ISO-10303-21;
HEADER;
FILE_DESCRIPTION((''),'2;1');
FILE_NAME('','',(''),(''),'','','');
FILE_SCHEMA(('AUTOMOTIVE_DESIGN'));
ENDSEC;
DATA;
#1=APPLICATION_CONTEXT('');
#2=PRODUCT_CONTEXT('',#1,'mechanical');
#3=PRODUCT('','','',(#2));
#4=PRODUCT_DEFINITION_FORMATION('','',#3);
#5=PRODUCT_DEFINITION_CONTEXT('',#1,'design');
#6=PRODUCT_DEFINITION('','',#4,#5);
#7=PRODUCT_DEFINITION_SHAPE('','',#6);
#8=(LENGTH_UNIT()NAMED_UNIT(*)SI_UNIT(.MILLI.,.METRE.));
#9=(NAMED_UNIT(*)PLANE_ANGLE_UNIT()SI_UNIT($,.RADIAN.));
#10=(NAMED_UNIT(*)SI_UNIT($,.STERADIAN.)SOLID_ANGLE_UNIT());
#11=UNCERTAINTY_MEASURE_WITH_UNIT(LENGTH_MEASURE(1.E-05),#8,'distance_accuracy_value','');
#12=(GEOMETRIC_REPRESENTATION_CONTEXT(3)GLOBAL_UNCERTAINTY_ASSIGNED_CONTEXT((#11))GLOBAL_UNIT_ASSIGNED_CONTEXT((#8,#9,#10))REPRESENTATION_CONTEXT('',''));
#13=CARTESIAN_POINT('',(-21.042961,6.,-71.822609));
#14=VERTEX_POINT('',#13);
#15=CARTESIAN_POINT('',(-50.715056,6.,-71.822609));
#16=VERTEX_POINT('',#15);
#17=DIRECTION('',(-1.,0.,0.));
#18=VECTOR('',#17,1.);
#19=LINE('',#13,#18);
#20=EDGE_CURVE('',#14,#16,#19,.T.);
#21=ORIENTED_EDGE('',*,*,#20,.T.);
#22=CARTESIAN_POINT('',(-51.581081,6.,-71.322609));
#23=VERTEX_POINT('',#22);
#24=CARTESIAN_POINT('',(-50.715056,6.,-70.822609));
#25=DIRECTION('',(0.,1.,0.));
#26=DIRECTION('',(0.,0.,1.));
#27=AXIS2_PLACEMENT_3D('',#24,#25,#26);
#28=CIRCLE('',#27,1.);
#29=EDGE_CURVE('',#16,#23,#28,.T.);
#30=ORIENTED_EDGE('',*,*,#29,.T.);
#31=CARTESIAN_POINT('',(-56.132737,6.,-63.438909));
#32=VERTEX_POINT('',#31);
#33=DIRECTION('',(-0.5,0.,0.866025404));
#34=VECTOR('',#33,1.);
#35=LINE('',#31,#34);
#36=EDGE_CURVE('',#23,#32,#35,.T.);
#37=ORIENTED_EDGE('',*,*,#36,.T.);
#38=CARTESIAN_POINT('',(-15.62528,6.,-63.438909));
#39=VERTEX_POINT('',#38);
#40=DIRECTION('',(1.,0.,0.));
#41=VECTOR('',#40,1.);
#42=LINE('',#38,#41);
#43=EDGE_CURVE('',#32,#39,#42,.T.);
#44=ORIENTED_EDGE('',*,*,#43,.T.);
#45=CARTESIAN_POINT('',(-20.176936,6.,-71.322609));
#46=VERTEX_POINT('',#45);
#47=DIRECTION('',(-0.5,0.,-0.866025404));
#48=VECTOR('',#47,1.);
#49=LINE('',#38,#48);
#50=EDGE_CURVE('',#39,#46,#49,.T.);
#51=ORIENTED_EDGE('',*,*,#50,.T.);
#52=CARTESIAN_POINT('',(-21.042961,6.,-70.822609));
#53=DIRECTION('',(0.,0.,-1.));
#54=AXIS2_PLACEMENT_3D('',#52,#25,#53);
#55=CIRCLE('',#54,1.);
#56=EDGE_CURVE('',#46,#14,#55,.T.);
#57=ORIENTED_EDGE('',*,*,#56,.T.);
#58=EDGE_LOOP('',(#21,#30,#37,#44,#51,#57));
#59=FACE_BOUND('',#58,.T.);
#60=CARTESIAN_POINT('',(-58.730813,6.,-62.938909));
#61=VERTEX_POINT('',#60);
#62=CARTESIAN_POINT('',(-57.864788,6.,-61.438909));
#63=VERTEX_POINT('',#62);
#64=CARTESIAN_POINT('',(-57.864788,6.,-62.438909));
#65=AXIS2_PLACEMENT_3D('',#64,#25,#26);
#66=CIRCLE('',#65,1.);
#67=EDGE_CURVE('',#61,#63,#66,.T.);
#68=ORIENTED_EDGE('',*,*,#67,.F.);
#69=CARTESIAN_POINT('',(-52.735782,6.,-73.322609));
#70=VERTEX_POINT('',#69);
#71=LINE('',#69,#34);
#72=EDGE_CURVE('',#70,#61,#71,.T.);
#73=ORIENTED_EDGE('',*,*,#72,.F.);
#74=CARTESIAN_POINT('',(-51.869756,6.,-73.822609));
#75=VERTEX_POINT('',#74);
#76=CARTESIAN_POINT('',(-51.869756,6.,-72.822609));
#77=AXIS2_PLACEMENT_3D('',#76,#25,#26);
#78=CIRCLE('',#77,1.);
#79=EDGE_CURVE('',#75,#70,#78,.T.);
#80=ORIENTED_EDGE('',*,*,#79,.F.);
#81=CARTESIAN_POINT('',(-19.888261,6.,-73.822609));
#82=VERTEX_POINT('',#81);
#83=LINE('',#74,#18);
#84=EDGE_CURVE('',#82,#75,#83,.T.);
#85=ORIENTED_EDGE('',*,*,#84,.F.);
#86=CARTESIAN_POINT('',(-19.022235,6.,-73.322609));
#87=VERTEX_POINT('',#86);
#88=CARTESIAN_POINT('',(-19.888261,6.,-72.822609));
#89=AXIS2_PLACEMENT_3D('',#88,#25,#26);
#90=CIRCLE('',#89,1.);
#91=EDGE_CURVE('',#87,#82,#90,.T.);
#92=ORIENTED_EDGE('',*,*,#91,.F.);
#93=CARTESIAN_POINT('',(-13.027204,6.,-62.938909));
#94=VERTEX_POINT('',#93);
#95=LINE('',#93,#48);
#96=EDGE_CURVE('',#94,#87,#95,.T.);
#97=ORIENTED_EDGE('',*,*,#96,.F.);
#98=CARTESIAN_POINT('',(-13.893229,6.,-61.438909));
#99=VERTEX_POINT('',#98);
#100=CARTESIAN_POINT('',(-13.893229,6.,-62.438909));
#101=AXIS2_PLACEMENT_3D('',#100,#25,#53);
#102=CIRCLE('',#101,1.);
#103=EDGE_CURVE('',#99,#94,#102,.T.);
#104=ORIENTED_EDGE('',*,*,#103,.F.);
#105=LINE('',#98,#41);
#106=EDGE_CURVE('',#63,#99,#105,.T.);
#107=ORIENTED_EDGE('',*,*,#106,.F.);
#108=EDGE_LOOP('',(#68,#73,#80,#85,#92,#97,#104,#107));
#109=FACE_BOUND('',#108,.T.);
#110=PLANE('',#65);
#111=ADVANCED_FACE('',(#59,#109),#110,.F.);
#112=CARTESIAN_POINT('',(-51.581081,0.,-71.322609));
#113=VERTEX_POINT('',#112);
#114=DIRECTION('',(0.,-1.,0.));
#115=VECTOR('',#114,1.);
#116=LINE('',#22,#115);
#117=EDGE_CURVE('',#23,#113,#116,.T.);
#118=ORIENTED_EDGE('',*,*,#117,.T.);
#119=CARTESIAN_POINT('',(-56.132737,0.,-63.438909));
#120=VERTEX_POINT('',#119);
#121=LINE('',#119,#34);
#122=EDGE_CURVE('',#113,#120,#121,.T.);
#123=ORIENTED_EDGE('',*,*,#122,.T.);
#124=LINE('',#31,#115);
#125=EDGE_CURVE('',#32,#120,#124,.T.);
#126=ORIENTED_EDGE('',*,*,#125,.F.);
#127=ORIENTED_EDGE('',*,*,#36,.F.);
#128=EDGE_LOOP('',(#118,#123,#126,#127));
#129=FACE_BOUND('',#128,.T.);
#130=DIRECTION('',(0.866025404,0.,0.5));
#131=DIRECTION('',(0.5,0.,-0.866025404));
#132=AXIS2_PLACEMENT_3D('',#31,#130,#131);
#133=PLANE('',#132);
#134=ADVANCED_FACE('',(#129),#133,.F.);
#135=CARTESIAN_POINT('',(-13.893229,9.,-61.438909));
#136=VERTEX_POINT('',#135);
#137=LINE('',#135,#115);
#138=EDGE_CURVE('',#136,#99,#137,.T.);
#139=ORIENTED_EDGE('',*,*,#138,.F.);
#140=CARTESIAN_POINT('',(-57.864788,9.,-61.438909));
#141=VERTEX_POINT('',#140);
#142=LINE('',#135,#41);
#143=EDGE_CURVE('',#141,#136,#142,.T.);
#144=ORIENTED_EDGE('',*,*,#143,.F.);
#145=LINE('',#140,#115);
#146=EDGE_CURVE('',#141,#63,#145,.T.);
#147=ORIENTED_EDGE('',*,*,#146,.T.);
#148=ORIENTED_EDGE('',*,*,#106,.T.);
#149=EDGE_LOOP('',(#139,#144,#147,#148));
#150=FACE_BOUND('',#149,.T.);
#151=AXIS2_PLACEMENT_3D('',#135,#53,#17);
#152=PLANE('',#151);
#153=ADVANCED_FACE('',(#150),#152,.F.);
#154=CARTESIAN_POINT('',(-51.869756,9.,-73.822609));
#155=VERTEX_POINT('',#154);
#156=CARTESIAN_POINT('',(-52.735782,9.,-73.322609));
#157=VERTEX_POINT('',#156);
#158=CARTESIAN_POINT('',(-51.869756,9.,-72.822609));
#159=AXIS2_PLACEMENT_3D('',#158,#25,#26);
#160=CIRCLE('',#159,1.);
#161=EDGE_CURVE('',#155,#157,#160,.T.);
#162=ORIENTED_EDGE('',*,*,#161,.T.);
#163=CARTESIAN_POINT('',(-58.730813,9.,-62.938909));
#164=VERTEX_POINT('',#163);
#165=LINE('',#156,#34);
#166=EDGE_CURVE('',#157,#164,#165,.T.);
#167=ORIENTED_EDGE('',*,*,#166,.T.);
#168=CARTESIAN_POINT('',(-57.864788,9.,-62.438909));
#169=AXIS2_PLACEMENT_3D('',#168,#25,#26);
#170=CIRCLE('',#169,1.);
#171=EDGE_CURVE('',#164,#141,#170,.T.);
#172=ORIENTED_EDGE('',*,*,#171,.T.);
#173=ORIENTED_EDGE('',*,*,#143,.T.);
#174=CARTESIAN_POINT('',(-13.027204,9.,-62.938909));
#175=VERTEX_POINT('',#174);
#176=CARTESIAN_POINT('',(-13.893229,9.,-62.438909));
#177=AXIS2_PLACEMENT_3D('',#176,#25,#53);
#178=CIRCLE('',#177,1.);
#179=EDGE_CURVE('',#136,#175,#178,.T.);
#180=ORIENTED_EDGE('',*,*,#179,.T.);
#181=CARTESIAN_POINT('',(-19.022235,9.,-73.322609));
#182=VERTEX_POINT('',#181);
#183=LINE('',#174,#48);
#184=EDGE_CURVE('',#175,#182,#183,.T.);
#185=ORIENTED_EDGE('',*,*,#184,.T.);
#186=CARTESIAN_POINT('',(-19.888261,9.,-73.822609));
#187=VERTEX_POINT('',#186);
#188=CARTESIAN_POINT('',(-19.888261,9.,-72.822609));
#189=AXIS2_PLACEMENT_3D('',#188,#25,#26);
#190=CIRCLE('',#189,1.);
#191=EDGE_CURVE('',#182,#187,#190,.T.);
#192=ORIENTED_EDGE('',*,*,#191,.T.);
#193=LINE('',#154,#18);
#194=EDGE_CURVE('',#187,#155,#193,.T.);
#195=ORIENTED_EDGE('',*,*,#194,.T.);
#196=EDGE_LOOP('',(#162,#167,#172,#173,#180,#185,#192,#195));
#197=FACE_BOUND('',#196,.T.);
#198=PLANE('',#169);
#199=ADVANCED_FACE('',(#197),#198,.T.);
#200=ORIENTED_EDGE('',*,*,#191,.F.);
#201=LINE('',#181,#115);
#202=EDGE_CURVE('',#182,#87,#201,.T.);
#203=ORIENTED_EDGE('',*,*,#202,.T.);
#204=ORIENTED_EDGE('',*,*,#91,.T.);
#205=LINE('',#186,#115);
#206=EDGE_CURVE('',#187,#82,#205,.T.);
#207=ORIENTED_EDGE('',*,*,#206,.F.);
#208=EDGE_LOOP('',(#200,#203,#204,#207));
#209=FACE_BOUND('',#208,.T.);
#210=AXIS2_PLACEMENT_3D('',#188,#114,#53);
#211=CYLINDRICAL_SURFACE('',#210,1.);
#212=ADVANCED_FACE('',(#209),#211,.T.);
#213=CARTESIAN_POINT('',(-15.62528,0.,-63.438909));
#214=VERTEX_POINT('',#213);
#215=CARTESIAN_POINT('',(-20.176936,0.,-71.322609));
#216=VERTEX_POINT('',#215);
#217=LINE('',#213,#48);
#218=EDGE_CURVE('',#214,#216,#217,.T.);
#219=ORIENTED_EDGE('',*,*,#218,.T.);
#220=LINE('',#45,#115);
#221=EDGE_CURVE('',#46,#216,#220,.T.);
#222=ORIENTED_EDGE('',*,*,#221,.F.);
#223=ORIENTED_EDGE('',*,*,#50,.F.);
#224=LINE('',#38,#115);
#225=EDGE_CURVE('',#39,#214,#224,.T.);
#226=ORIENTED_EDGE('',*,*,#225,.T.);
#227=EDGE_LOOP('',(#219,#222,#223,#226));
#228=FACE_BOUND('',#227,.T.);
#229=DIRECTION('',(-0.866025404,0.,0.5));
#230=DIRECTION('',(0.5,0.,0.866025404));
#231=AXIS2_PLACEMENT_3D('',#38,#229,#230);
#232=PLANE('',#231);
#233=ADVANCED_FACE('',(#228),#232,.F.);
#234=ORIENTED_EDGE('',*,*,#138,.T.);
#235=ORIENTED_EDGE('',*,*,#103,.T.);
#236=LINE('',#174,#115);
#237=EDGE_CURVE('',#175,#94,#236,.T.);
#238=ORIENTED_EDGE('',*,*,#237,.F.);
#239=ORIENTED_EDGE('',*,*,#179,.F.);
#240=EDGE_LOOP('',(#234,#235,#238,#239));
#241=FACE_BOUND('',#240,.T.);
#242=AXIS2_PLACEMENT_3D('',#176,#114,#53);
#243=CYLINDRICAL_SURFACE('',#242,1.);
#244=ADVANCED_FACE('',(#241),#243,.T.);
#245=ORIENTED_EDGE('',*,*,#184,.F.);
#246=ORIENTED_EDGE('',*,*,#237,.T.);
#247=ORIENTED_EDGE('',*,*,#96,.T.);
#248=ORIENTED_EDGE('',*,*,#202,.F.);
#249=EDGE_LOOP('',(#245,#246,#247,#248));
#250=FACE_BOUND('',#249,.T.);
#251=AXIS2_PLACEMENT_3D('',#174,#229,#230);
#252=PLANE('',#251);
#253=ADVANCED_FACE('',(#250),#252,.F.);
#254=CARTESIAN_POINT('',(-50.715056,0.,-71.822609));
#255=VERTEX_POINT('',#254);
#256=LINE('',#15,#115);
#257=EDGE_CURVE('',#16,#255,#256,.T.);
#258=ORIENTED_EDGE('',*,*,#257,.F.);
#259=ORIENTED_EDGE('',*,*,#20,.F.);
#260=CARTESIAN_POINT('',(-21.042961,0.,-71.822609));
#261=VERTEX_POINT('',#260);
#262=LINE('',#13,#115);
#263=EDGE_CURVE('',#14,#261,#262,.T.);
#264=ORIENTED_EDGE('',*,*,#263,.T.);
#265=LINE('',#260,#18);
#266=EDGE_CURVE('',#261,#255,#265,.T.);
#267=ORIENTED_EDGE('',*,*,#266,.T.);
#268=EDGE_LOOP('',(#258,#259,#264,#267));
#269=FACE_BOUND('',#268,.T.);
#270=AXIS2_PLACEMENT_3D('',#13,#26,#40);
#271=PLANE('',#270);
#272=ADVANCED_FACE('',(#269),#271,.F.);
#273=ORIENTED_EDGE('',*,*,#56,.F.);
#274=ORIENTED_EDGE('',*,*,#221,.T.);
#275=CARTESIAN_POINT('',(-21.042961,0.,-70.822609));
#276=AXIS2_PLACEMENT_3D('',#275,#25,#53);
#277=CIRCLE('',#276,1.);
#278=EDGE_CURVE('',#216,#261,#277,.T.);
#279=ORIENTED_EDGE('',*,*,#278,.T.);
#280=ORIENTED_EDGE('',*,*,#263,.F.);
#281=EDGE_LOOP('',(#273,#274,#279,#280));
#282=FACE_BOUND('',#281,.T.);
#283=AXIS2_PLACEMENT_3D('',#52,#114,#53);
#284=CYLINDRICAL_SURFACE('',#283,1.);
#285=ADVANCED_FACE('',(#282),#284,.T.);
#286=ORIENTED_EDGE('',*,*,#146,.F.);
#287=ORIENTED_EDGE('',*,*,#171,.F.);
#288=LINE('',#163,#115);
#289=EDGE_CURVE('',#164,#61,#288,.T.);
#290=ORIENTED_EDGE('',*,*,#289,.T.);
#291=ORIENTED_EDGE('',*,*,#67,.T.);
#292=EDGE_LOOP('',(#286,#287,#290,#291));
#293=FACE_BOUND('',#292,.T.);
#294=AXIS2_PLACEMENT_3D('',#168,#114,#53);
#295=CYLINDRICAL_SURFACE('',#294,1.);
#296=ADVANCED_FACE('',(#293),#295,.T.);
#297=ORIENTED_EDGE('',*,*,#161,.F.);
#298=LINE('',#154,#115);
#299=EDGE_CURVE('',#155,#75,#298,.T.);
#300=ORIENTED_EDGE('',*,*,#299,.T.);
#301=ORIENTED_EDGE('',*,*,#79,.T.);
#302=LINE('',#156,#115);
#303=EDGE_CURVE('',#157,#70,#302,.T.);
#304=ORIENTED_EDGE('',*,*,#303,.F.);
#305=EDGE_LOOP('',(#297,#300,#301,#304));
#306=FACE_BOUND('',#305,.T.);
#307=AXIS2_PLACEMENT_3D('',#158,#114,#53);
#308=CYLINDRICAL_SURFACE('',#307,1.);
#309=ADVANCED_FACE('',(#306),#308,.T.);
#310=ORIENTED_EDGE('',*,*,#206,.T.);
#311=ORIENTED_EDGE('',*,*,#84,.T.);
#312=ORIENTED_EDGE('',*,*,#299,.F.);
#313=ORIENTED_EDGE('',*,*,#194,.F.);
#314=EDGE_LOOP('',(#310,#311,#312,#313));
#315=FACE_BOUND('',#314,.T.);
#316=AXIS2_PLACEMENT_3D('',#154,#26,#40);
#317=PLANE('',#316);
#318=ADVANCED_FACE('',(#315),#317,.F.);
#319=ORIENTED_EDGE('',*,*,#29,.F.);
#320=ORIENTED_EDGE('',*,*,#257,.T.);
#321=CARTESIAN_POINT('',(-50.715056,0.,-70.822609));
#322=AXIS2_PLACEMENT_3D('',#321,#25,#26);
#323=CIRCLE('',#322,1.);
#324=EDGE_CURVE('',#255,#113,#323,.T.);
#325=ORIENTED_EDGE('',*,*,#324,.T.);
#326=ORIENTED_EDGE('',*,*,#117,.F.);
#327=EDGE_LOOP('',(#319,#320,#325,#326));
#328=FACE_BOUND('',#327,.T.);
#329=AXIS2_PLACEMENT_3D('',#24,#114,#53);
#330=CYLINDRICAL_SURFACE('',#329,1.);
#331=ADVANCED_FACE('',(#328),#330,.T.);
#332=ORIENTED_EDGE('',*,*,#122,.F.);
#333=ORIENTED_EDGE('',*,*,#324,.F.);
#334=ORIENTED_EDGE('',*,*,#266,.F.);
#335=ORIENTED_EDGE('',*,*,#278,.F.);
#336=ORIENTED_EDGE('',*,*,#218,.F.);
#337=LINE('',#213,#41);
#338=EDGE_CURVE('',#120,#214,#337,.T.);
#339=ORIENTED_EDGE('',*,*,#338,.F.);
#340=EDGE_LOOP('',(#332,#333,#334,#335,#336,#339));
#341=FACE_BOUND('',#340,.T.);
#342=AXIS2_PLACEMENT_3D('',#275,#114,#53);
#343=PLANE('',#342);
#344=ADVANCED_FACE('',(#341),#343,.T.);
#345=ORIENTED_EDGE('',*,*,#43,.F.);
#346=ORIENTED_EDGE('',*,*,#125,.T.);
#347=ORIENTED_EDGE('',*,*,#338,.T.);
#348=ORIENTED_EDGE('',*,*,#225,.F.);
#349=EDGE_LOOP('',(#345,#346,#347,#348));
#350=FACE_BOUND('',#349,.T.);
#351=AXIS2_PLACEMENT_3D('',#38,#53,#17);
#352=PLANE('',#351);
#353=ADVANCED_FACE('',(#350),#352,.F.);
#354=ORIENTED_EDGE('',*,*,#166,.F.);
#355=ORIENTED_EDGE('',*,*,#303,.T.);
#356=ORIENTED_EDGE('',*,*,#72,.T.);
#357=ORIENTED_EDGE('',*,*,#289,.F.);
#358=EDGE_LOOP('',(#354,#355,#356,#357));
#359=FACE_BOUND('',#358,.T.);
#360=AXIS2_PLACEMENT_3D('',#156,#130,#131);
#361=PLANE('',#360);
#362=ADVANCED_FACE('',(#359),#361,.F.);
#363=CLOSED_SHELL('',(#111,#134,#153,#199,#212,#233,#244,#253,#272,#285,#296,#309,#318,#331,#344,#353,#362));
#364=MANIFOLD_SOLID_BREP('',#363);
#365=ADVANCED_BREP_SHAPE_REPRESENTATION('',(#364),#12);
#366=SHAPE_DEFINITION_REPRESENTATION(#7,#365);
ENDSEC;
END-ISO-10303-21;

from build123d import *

# Parameters (mm, degrees)
BOSS_EXTRUDE1_DEPTH = 6
BOSS_EXTRUDE2_DEPTH = 3


with BuildPart() as part:
    # Sketch1 → Boss-Extrude1 (new body)
    with BuildSketch(Plane(origin=(0, 0, 0), x_dir=(1, 0, 0), z_dir=(0, 1, 0))):
        with BuildLine():
            Line((-21.042961381, 71.822608989), (-50.715055762, 71.822608989))
            ThreePointArc((-50.715055762, 71.822608989), (-51.215055762, 71.688634393), (-51.581081166, 71.322608989))
            Line((-51.581081166, 71.322608989), (-56.132737248, 63.438909397))
            Line((-56.132737248, 63.438909397), (-15.625279896, 63.438909397))
            Line((-15.625279896, 63.438909397), (-20.176935977, 71.322608989))
            ThreePointArc((-20.176935977, 71.322608989), (-20.542961381, 71.688634393), (-21.042961381, 71.822608989))
        make_face()
    extrude(amount=BOSS_EXTRUDE1_DEPTH)

    # Sketch2 → Boss-Extrude2 (add)
    with BuildSketch(Plane(origin=(0, 6, 0), x_dir=(1, 0, 0), z_dir=(0, 1, 0))):
        with BuildLine():
            Line((-13.893229088, 61.438909397), (-57.864788055, 61.438909397))
            ThreePointArc((-57.864788055, 61.438909397), (-58.730813459, 61.938909397), (-58.730813459, 62.938909397))
            Line((-58.730813459, 62.938909397), (-52.735781704, 73.322608989))
            ThreePointArc((-52.735781704, 73.322608989), (-52.3697563, 73.688634393), (-51.8697563, 73.822608989))
            Line((-51.8697563, 73.822608989), (-19.888260843, 73.822608989))
            ThreePointArc((-19.888260843, 73.822608989), (-19.388260843, 73.688634393), (-19.022235439, 73.322608989))
            Line((-19.022235439, 73.322608989), (-13.027203684, 62.938909397))
            ThreePointArc((-13.027203684, 62.938909397), (-13.027203684, 61.938909397), (-13.893229088, 61.438909397))
        make_face()
    extrude(amount=BOSS_EXTRUDE2_DEPTH)


solid = part.part
